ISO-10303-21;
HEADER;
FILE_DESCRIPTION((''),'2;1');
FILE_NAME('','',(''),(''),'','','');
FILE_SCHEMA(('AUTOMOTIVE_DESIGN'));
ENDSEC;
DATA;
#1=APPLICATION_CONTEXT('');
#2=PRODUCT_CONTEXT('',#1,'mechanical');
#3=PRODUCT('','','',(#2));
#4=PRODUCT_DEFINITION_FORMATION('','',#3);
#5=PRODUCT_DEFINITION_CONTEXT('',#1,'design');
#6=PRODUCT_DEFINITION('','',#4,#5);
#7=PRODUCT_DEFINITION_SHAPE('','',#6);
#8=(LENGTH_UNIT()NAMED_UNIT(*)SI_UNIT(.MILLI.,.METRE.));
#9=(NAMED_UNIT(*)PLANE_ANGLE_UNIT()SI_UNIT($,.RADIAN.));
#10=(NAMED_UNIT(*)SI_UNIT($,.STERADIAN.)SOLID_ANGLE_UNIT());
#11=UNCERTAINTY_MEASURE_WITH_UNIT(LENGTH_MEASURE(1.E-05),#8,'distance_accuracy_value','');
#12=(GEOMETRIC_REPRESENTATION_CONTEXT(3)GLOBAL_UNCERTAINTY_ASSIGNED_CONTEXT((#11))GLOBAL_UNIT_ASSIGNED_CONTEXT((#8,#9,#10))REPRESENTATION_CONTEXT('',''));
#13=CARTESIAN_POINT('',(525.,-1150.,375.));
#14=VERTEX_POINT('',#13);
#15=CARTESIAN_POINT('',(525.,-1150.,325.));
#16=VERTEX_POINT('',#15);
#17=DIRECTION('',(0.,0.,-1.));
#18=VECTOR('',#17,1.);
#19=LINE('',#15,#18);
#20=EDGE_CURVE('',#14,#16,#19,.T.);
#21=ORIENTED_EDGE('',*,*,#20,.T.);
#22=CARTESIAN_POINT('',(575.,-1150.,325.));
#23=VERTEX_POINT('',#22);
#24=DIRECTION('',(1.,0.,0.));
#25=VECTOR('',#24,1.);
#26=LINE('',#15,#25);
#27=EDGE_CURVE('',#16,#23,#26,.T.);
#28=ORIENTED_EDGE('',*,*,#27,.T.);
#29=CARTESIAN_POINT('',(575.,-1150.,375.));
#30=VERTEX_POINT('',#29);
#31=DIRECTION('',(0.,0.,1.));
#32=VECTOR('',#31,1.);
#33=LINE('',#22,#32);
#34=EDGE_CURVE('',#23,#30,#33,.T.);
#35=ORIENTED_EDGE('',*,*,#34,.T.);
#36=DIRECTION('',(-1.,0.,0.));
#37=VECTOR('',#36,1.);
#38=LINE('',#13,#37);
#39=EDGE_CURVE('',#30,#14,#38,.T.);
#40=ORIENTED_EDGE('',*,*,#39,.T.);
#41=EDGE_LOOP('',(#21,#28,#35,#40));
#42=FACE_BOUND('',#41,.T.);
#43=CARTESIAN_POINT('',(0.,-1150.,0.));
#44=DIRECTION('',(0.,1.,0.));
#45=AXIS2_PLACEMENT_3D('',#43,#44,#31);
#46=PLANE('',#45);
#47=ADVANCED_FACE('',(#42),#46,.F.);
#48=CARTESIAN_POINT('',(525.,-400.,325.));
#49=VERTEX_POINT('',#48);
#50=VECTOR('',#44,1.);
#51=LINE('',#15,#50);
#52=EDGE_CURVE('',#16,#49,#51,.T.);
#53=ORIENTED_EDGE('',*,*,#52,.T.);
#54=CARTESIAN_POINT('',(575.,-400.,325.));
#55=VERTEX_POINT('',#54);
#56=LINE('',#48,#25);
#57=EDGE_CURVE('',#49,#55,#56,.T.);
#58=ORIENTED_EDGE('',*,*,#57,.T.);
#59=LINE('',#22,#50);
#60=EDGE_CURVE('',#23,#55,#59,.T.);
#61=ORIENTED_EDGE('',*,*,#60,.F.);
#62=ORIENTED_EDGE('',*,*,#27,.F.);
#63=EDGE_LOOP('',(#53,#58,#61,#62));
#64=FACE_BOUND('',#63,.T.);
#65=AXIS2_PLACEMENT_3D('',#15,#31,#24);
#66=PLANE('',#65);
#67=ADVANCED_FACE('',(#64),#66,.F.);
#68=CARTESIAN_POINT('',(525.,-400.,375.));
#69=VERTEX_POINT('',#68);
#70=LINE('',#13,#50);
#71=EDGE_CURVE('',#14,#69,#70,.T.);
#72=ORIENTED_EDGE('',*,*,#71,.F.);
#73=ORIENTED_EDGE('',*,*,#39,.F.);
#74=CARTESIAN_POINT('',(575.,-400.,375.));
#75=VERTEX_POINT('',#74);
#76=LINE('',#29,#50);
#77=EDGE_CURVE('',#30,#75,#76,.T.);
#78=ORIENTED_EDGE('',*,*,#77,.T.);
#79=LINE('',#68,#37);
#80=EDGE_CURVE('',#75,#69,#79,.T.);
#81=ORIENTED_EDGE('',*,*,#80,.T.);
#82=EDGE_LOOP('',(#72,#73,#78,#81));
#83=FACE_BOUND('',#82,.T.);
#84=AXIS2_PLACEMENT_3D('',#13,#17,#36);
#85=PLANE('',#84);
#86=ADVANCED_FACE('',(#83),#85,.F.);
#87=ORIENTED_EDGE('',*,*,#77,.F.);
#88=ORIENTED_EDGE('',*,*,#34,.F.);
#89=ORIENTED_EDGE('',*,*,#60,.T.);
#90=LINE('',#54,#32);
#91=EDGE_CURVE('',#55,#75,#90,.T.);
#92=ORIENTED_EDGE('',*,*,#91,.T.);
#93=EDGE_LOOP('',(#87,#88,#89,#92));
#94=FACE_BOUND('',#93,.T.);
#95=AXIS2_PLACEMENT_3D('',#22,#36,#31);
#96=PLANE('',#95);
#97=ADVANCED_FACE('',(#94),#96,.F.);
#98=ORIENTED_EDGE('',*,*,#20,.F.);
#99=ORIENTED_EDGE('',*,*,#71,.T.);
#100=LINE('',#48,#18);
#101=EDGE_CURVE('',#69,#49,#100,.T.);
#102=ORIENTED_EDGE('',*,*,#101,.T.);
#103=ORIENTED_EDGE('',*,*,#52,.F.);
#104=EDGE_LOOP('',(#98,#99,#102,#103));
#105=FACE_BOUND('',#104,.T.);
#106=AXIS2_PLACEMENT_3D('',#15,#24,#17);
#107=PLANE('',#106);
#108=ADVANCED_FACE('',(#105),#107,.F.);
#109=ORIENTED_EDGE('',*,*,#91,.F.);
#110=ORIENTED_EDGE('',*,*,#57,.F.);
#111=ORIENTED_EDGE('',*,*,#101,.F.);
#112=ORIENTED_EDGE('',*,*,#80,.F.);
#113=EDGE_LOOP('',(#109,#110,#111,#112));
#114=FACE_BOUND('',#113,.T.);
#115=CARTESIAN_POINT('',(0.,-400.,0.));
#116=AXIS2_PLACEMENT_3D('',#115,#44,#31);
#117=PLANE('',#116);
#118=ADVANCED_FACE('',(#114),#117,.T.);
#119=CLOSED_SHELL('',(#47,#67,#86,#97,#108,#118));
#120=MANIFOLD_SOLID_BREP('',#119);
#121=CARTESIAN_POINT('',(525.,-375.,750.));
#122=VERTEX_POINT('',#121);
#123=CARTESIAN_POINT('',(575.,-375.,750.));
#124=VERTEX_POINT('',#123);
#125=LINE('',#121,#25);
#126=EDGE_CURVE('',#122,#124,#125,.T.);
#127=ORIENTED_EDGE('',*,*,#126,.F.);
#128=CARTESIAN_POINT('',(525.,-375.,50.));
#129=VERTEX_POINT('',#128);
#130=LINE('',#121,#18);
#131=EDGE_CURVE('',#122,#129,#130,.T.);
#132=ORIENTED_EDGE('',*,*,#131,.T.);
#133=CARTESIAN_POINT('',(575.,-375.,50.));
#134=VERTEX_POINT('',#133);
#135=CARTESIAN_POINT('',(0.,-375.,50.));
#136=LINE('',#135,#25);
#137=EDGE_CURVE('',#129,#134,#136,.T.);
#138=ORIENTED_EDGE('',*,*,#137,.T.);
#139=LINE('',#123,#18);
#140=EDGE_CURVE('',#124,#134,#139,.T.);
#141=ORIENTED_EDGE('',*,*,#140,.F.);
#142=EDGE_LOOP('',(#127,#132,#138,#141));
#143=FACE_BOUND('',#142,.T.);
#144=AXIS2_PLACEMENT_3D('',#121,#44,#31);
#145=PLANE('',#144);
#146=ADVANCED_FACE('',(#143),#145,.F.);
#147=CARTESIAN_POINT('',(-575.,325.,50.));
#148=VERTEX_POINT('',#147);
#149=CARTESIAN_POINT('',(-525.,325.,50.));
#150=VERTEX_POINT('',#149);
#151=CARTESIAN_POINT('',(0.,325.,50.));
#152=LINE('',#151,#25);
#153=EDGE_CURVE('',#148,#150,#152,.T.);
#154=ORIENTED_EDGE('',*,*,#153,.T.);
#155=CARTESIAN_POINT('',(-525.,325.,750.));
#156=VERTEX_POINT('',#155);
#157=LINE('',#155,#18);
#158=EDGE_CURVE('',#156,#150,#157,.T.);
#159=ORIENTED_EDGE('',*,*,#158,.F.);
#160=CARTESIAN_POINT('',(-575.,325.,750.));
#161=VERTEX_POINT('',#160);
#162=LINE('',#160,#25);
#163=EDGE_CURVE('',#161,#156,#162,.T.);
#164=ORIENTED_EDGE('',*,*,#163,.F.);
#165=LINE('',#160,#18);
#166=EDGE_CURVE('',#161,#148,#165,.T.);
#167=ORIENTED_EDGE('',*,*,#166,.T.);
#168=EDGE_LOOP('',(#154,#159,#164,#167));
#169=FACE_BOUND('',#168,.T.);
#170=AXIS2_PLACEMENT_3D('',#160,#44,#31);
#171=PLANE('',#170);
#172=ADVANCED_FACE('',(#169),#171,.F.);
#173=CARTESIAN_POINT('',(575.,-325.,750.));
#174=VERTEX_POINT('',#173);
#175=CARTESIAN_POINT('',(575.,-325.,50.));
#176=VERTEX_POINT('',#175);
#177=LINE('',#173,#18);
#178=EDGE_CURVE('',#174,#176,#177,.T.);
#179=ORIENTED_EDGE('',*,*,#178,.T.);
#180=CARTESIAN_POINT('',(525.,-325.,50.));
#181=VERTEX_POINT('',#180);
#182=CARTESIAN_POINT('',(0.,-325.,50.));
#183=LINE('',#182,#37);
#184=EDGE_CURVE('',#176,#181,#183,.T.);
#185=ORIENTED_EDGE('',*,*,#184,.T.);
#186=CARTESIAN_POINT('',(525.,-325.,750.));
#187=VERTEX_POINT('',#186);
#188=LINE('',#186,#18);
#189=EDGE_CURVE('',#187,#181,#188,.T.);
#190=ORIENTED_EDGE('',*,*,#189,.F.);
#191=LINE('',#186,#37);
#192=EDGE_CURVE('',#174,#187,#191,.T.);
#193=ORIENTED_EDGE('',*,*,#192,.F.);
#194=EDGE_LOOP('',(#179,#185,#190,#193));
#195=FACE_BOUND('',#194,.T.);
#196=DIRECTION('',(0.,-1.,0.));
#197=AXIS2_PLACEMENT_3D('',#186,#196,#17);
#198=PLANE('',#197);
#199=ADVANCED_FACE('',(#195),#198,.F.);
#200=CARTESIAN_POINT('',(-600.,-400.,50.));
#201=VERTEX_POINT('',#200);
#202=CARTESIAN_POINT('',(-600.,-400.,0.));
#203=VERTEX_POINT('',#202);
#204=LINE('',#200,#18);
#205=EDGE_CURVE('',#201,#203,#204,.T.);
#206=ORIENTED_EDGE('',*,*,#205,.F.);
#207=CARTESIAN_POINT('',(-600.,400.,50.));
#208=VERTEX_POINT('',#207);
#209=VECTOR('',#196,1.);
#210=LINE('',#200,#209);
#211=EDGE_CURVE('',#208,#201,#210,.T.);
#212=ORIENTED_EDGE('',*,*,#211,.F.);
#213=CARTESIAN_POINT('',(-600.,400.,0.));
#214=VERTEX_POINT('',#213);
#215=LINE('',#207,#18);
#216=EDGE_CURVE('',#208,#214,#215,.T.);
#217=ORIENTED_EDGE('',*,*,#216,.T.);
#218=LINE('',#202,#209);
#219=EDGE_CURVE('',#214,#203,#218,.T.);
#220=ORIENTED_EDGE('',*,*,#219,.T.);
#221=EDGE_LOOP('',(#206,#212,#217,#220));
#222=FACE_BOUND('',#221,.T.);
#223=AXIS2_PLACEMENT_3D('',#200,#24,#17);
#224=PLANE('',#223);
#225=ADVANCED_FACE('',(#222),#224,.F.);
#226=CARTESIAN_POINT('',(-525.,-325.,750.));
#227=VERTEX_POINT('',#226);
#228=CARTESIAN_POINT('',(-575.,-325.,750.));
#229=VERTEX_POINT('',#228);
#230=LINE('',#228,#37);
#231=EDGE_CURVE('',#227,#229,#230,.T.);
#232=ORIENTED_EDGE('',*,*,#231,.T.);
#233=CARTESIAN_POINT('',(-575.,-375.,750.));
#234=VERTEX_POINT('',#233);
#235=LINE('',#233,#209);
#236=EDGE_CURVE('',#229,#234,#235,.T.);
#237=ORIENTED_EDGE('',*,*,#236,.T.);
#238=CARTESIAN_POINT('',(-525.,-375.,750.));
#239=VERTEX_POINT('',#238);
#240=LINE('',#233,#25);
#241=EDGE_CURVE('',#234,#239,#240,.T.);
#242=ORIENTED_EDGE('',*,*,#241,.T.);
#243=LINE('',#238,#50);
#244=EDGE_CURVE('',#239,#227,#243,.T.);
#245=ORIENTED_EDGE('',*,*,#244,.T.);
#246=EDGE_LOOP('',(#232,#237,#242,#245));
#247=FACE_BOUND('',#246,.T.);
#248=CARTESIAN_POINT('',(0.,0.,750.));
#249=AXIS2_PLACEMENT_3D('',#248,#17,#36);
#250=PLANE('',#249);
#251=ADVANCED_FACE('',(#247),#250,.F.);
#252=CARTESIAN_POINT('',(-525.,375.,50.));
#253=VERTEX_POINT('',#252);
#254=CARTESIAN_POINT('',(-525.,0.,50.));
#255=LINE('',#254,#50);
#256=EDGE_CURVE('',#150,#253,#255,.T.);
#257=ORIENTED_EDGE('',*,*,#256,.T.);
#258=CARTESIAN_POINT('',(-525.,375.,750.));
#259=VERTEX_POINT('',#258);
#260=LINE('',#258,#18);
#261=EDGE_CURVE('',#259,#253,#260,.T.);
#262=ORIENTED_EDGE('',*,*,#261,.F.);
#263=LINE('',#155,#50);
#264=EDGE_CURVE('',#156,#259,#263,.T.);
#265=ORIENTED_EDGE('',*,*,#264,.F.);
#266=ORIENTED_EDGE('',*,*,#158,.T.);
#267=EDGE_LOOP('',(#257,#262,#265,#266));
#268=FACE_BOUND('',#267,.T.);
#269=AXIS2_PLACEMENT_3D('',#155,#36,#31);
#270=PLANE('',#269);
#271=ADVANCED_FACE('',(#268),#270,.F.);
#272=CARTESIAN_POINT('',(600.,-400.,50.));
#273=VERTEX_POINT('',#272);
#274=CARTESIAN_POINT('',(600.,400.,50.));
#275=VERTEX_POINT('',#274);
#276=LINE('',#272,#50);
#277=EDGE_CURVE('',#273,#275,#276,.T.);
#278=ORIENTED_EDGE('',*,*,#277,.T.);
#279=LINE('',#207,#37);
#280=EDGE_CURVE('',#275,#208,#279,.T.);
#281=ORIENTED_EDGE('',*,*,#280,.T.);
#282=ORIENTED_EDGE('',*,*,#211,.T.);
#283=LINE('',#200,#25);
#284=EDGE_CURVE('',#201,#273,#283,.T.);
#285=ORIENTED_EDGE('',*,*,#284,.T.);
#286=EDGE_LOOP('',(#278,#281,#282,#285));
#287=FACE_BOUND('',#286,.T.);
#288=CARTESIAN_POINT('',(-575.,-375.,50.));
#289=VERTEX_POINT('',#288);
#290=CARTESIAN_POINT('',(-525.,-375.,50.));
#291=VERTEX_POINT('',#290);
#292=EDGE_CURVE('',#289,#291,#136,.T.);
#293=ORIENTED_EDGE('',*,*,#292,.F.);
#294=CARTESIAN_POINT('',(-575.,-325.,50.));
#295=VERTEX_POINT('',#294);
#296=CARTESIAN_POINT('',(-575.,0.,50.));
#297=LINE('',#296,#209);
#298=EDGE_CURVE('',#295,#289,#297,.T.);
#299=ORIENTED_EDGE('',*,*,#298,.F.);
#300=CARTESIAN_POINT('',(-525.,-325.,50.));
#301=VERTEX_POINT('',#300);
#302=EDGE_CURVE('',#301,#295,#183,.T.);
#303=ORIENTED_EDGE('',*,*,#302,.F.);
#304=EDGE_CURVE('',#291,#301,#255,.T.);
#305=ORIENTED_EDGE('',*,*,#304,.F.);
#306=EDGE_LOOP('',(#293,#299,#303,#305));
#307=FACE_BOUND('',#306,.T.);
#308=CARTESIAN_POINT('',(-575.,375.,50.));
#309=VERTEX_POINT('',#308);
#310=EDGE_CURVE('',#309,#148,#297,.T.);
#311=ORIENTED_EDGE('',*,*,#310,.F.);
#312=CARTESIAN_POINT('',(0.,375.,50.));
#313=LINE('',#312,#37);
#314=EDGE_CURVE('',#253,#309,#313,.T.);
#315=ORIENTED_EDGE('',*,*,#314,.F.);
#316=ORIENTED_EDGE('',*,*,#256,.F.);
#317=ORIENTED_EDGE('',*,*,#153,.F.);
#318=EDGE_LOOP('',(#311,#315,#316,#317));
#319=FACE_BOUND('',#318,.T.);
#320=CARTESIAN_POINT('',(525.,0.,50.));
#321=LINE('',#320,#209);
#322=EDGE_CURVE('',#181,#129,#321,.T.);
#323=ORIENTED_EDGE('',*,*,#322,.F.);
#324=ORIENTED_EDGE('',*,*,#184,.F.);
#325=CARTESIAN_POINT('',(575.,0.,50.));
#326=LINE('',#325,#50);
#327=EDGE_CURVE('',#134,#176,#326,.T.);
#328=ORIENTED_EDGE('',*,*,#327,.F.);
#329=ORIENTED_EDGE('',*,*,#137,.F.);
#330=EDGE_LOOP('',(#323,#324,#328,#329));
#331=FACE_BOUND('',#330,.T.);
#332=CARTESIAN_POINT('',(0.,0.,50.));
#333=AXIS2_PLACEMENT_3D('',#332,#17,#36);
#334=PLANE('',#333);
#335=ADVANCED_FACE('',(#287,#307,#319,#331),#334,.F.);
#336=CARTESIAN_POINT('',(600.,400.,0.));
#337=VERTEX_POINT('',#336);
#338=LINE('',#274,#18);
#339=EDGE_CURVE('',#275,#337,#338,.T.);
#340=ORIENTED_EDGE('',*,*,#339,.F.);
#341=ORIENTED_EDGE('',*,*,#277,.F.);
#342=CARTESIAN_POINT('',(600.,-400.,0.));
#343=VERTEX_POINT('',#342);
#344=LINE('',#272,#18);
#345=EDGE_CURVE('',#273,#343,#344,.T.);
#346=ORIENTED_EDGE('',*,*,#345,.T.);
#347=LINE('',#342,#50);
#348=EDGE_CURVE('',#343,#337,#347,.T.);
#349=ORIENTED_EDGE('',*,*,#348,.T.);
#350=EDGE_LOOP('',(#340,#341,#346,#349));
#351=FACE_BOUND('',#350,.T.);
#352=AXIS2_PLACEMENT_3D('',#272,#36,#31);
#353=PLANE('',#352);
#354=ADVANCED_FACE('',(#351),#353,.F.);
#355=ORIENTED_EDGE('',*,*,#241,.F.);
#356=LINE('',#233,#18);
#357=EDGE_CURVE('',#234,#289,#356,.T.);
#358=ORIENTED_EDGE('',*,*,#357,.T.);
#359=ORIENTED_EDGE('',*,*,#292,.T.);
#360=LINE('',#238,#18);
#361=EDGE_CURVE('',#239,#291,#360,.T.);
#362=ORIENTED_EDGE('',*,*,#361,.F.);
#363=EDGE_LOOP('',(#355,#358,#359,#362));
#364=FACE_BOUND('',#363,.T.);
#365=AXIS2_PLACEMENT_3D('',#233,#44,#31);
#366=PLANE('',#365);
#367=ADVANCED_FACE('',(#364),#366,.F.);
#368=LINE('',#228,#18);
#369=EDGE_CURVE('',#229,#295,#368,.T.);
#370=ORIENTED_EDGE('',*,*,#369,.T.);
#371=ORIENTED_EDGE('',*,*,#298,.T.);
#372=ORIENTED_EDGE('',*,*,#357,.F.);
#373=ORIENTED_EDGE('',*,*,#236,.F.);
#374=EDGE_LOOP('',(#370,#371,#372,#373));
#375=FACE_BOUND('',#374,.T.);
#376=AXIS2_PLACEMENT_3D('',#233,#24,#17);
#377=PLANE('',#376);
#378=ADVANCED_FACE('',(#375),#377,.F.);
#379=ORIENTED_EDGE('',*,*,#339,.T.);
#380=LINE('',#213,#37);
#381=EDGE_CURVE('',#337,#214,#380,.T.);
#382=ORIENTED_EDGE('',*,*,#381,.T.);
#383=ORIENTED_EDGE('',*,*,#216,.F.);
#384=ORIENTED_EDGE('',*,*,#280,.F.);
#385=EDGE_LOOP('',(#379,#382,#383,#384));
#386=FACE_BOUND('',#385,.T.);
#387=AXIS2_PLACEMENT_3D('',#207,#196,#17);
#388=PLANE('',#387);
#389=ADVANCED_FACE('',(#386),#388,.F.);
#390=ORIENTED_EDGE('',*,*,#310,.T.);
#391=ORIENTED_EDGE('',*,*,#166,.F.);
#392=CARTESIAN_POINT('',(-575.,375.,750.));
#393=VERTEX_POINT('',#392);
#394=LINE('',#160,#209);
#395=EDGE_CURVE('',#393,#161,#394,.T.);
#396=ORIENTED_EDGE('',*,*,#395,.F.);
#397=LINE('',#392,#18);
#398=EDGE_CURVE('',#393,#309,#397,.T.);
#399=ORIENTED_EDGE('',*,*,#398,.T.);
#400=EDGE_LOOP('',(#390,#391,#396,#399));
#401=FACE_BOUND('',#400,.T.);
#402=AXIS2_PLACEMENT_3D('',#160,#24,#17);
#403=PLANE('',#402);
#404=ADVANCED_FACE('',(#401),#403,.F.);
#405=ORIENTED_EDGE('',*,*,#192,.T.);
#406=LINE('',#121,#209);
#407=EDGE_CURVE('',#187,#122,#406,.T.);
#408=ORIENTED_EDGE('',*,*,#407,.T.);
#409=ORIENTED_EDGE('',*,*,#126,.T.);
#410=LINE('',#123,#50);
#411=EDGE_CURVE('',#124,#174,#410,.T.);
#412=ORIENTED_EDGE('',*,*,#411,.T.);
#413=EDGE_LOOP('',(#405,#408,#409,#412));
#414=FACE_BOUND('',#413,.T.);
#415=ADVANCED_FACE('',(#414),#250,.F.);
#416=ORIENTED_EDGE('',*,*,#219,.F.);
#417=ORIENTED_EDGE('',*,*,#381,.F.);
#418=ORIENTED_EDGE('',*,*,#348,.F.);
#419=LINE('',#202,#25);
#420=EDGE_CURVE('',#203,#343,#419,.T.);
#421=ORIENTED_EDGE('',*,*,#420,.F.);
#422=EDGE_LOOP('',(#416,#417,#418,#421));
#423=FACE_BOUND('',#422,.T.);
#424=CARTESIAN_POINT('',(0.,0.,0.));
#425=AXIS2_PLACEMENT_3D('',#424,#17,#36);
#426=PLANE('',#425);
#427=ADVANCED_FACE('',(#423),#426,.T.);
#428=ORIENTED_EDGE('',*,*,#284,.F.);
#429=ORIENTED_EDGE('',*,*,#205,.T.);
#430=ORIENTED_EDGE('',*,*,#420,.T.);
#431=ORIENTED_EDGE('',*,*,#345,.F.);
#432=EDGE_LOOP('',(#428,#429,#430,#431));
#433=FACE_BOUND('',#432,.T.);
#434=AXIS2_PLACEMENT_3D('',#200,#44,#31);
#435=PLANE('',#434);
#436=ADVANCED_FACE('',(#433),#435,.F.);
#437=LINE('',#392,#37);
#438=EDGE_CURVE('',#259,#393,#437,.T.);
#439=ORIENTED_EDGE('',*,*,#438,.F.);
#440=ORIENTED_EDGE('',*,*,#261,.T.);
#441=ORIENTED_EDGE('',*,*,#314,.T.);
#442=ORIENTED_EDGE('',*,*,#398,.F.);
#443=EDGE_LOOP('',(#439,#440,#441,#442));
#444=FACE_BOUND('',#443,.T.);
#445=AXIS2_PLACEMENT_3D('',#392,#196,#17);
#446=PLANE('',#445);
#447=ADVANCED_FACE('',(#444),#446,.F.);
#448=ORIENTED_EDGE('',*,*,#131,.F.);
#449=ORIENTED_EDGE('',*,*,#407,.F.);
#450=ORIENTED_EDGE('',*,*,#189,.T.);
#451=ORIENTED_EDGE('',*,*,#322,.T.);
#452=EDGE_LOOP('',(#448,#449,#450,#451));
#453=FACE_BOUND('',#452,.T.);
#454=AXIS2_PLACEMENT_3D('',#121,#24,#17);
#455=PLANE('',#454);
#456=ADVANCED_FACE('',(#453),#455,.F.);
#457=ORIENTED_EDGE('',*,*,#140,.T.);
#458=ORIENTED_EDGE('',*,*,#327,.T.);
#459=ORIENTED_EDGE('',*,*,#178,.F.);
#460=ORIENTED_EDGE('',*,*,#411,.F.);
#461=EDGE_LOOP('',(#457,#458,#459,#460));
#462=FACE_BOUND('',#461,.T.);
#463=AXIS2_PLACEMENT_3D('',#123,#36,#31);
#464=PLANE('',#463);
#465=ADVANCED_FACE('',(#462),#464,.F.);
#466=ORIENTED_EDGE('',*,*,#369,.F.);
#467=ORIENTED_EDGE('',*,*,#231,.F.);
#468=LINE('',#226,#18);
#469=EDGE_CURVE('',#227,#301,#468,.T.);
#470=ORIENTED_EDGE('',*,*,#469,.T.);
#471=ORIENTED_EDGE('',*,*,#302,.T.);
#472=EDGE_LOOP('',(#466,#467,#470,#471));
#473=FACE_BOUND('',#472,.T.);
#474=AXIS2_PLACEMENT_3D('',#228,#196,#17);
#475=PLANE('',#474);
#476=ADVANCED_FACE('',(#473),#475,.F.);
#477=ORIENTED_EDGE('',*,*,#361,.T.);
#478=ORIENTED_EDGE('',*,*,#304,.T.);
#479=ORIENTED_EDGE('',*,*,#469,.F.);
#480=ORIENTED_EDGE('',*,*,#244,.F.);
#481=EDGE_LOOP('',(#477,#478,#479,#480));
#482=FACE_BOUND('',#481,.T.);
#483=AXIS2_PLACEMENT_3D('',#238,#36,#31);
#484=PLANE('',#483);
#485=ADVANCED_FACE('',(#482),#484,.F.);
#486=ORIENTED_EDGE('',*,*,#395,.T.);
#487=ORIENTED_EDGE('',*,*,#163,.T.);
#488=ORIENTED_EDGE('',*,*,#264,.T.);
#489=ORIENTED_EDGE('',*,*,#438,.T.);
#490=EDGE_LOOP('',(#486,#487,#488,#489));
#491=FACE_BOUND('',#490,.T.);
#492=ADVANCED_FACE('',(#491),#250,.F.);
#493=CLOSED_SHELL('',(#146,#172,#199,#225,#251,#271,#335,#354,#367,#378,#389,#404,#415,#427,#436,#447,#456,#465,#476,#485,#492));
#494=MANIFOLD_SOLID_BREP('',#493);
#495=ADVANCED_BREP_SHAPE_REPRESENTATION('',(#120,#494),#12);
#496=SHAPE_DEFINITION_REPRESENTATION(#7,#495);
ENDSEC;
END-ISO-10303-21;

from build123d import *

# Parameters (mm, degrees)
SKETCH_1_W      = 1200
SKETCH_1_H      = 800
EXTRUDE_1_DEPTH = 50
SKETCH_2_W      = 50
SKETCH_2_H      = 50
EXTRUDE_2_DEPTH = 750
SKETCH_3_W      = 50
SKETCH_3_H      = 50
EXTRUDE_3_DEPTH = 750
SKETCH_4_W      = 50
SKETCH_4_H      = 50
EXTRUDE_4_DEPTH = 750
SKETCH_5_W      = 50
SKETCH_5_H      = 50
EXTRUDE_5_DEPTH = 750


with BuildPart() as part:
    # 草图1 → 凸台-拉伸1 (new body)
    with BuildSketch(Plane.XY):
        Rectangle(SKETCH_1_W, SKETCH_1_H)
    extrude(amount=EXTRUDE_1_DEPTH)

    # 草图3 → 凸台-拉伸3 (add)
    with BuildSketch(Plane.XY):
        with Locations((-550, 350)):
            Rectangle(SKETCH_3_W, SKETCH_3_H)
    extrude(amount=EXTRUDE_3_DEPTH)

    # 草图4 → 凸台-拉伸4 (add)
    with BuildSketch(Plane.XY):
        with Locations((550, -350)):
            Rectangle(SKETCH_4_W, SKETCH_4_H)
    extrude(amount=EXTRUDE_4_DEPTH)

    # 草图5 → 凸台-拉伸5 (add)
    with BuildSketch(Plane.XY):
        with Locations((-550, -350)):
            Rectangle(SKETCH_5_W, SKETCH_5_H)
    extrude(amount=EXTRUDE_5_DEPTH)


with BuildPart() as body_2:
    # 草图2 → 凸台-拉伸2 (new body)
    with BuildSketch(Plane.XZ.offset(400)):
        with Locations((550, 350)):
            Rectangle(SKETCH_2_W, SKETCH_2_H)
    extrude(amount=EXTRUDE_2_DEPTH)


solid = Compound([part.part, body_2.part])
